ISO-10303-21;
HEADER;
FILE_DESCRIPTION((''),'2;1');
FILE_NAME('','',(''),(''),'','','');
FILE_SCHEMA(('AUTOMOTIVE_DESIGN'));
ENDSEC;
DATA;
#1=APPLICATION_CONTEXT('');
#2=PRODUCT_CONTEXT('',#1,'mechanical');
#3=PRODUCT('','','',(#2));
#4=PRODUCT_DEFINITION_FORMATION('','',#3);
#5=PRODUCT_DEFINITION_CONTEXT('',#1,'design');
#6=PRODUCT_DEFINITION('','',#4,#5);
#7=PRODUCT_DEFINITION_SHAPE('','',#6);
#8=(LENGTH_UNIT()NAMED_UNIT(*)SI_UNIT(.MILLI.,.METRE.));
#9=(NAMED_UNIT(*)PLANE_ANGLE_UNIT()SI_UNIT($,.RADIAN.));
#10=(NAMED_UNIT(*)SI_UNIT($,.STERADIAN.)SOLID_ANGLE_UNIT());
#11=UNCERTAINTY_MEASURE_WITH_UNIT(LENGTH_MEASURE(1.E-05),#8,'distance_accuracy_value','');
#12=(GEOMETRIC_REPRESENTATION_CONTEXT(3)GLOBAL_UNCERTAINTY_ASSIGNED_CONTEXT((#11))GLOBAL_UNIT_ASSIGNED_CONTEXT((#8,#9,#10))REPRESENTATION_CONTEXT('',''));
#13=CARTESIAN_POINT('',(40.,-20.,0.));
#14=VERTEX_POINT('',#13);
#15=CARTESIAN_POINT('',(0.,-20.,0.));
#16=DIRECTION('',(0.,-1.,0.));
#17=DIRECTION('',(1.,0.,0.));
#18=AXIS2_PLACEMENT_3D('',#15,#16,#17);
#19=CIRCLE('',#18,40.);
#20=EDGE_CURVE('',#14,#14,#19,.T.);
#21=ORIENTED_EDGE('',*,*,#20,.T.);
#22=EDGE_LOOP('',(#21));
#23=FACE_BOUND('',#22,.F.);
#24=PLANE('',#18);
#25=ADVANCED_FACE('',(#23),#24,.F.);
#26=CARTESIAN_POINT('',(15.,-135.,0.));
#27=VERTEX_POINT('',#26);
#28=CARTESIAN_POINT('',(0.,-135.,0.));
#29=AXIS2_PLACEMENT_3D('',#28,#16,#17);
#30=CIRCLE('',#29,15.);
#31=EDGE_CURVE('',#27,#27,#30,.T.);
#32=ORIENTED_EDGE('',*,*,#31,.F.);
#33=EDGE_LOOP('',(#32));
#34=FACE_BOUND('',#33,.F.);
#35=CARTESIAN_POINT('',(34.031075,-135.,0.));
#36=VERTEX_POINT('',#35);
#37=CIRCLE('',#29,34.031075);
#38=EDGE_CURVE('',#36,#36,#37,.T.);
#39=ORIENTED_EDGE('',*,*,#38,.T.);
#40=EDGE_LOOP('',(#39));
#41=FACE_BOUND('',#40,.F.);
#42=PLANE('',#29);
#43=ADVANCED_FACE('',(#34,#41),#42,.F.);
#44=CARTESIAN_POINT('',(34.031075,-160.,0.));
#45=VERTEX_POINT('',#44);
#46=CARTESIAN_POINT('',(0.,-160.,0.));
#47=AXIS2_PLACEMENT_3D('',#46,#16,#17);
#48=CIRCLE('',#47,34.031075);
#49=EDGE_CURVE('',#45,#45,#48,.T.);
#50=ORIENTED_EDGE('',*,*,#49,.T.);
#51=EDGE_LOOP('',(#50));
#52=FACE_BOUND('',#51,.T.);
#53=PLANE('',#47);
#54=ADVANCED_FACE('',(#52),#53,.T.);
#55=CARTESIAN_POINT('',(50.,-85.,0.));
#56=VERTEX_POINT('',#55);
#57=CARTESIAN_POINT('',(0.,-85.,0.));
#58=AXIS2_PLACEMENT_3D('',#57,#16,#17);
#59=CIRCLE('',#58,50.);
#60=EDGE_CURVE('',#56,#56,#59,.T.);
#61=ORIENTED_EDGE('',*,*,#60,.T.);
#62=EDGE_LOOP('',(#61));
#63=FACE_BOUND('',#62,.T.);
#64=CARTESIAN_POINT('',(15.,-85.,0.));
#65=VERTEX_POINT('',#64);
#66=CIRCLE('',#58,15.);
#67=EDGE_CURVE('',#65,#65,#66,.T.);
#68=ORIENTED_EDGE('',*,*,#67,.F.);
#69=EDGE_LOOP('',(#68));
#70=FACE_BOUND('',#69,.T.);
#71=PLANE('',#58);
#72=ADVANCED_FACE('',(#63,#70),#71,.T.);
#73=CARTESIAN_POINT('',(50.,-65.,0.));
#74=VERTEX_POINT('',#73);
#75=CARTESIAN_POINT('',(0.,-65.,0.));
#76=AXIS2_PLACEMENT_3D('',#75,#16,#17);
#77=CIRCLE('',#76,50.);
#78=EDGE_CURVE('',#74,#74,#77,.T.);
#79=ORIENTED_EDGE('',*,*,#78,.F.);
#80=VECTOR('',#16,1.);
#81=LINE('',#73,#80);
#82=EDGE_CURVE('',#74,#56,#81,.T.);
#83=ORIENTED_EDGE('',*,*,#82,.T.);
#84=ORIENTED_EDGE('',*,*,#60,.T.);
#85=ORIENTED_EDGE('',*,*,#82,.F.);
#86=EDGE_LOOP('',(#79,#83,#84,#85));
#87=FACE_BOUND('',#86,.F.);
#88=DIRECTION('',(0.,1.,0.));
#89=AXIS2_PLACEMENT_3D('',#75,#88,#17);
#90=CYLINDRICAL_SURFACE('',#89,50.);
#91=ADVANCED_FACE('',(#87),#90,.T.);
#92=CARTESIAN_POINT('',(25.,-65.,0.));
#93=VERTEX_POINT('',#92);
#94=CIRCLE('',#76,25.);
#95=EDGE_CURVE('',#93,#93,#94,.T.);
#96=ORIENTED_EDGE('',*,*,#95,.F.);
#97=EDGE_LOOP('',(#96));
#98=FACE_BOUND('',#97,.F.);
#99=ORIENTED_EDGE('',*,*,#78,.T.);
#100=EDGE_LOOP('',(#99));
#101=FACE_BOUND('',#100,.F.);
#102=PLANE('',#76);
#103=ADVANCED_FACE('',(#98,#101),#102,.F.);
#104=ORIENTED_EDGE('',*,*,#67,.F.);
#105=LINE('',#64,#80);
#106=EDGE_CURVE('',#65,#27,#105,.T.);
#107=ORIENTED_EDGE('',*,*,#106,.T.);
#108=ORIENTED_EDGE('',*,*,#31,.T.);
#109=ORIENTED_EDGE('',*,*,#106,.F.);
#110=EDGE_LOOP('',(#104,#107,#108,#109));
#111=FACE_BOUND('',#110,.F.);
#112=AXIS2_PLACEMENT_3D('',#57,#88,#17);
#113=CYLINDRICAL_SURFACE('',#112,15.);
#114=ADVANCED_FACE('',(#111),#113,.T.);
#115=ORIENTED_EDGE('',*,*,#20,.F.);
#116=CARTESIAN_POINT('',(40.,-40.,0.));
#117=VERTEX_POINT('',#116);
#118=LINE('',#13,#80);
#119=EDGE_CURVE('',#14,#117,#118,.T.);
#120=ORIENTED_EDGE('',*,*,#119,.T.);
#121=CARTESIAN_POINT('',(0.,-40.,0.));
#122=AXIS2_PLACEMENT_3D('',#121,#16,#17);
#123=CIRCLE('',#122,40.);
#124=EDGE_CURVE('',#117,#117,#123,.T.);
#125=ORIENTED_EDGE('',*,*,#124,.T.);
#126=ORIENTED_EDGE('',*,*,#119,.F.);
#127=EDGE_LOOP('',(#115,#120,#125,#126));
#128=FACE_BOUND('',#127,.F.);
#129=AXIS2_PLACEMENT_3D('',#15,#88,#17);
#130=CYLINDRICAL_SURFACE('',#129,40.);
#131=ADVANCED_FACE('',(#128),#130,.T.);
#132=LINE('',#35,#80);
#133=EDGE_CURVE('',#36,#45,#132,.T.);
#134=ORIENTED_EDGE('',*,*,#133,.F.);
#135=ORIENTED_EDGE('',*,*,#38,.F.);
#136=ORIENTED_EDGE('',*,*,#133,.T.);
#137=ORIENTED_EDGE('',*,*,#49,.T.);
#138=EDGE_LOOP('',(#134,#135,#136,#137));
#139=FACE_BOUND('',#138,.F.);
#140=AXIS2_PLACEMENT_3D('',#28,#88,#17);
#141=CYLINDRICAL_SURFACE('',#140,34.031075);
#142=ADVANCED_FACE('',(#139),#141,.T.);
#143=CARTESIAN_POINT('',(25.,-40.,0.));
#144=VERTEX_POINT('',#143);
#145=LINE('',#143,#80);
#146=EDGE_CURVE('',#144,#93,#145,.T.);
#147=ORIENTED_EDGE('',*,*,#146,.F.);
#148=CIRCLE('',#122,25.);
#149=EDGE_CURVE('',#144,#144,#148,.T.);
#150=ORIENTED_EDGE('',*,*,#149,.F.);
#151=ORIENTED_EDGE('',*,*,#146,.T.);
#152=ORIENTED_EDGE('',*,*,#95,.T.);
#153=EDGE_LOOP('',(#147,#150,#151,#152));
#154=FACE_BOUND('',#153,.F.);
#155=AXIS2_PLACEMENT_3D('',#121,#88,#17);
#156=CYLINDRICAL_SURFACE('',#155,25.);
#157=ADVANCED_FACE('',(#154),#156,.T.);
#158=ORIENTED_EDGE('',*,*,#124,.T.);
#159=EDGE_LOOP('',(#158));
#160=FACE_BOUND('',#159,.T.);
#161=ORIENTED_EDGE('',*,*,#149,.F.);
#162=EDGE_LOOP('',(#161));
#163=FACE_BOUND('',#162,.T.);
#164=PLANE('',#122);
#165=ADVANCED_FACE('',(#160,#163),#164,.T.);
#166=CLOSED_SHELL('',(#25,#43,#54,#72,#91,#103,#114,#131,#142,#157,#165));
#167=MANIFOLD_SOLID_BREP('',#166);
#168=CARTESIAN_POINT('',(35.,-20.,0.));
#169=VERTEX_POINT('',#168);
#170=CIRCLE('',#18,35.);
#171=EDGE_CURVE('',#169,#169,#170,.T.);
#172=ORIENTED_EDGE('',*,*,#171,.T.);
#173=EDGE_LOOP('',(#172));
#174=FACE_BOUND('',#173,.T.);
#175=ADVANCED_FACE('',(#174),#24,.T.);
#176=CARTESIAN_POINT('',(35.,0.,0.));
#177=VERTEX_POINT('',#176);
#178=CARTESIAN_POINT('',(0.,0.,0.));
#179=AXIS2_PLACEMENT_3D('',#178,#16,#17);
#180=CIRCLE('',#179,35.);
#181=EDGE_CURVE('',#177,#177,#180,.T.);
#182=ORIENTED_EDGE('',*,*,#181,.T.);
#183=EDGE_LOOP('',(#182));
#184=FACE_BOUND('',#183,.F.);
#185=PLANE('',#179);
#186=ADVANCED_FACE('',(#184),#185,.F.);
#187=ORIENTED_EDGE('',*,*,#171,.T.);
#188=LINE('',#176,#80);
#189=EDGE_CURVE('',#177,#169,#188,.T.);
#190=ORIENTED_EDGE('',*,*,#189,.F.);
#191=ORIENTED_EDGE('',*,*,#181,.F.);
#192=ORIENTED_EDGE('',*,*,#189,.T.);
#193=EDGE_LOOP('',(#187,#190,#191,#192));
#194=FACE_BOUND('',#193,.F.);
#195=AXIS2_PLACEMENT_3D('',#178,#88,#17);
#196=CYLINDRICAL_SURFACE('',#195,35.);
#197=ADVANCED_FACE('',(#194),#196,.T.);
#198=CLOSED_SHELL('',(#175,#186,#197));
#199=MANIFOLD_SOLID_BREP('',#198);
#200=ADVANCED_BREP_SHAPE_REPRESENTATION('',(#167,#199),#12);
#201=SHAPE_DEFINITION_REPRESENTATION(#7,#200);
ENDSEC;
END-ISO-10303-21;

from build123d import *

# Parameters (mm, degrees)
F0_R      = 35
F1_DEPTH  = 20
F2_R      = 40
F2_R_2    = 35
F3_DEPTH  = 20
F4_R      = 25
F5_DEPTH  = 25
F6_R      = 50
F7_DEPTH  = 20
F8_R      = 15
F9_DEPTH  = 50
F10_R     = 34.0310746724
F10_R_2   = 15
F11_DEPTH = 25


with BuildPart() as f1:
    # F0 (on Front) → F1 (new body)
    with BuildSketch(Plane.XZ):
        Circle(F0_R)
    extrude(amount=F1_DEPTH)


with BuildPart() as f3:
    # F2 (on face) → F3 (new body)
    with BuildSketch(Plane.XZ.offset(20)):
        Circle(F2_R)
        Circle(F2_R_2, mode=Mode.SUBTRACT)
        Circle(F2_R_2)
    extrude(amount=F3_DEPTH)

    # F4 (on face) → F5 (join)
    with BuildSketch(Plane.XZ.offset(40)):
        Circle(F4_R)
    extrude(amount=F5_DEPTH)

    # F6 (on face) → F7 (join)
    with BuildSketch(Plane.XZ.offset(65)):
        Circle(F6_R)
    extrude(amount=F7_DEPTH)

    # F8 (on face) → F9 (join)
    with BuildSketch(Plane.XZ.offset(85)):
        Circle(F8_R)
    extrude(amount=F9_DEPTH)

    # F10 (on face) → F11 (join)
    with BuildSketch(Plane.XZ.offset(135)):
        Circle(F10_R)
        Circle(F10_R_2, mode=Mode.SUBTRACT)
        Circle(F10_R_2)
    extrude(amount=F11_DEPTH)


solid = Compound([f1.part, f3.part])
